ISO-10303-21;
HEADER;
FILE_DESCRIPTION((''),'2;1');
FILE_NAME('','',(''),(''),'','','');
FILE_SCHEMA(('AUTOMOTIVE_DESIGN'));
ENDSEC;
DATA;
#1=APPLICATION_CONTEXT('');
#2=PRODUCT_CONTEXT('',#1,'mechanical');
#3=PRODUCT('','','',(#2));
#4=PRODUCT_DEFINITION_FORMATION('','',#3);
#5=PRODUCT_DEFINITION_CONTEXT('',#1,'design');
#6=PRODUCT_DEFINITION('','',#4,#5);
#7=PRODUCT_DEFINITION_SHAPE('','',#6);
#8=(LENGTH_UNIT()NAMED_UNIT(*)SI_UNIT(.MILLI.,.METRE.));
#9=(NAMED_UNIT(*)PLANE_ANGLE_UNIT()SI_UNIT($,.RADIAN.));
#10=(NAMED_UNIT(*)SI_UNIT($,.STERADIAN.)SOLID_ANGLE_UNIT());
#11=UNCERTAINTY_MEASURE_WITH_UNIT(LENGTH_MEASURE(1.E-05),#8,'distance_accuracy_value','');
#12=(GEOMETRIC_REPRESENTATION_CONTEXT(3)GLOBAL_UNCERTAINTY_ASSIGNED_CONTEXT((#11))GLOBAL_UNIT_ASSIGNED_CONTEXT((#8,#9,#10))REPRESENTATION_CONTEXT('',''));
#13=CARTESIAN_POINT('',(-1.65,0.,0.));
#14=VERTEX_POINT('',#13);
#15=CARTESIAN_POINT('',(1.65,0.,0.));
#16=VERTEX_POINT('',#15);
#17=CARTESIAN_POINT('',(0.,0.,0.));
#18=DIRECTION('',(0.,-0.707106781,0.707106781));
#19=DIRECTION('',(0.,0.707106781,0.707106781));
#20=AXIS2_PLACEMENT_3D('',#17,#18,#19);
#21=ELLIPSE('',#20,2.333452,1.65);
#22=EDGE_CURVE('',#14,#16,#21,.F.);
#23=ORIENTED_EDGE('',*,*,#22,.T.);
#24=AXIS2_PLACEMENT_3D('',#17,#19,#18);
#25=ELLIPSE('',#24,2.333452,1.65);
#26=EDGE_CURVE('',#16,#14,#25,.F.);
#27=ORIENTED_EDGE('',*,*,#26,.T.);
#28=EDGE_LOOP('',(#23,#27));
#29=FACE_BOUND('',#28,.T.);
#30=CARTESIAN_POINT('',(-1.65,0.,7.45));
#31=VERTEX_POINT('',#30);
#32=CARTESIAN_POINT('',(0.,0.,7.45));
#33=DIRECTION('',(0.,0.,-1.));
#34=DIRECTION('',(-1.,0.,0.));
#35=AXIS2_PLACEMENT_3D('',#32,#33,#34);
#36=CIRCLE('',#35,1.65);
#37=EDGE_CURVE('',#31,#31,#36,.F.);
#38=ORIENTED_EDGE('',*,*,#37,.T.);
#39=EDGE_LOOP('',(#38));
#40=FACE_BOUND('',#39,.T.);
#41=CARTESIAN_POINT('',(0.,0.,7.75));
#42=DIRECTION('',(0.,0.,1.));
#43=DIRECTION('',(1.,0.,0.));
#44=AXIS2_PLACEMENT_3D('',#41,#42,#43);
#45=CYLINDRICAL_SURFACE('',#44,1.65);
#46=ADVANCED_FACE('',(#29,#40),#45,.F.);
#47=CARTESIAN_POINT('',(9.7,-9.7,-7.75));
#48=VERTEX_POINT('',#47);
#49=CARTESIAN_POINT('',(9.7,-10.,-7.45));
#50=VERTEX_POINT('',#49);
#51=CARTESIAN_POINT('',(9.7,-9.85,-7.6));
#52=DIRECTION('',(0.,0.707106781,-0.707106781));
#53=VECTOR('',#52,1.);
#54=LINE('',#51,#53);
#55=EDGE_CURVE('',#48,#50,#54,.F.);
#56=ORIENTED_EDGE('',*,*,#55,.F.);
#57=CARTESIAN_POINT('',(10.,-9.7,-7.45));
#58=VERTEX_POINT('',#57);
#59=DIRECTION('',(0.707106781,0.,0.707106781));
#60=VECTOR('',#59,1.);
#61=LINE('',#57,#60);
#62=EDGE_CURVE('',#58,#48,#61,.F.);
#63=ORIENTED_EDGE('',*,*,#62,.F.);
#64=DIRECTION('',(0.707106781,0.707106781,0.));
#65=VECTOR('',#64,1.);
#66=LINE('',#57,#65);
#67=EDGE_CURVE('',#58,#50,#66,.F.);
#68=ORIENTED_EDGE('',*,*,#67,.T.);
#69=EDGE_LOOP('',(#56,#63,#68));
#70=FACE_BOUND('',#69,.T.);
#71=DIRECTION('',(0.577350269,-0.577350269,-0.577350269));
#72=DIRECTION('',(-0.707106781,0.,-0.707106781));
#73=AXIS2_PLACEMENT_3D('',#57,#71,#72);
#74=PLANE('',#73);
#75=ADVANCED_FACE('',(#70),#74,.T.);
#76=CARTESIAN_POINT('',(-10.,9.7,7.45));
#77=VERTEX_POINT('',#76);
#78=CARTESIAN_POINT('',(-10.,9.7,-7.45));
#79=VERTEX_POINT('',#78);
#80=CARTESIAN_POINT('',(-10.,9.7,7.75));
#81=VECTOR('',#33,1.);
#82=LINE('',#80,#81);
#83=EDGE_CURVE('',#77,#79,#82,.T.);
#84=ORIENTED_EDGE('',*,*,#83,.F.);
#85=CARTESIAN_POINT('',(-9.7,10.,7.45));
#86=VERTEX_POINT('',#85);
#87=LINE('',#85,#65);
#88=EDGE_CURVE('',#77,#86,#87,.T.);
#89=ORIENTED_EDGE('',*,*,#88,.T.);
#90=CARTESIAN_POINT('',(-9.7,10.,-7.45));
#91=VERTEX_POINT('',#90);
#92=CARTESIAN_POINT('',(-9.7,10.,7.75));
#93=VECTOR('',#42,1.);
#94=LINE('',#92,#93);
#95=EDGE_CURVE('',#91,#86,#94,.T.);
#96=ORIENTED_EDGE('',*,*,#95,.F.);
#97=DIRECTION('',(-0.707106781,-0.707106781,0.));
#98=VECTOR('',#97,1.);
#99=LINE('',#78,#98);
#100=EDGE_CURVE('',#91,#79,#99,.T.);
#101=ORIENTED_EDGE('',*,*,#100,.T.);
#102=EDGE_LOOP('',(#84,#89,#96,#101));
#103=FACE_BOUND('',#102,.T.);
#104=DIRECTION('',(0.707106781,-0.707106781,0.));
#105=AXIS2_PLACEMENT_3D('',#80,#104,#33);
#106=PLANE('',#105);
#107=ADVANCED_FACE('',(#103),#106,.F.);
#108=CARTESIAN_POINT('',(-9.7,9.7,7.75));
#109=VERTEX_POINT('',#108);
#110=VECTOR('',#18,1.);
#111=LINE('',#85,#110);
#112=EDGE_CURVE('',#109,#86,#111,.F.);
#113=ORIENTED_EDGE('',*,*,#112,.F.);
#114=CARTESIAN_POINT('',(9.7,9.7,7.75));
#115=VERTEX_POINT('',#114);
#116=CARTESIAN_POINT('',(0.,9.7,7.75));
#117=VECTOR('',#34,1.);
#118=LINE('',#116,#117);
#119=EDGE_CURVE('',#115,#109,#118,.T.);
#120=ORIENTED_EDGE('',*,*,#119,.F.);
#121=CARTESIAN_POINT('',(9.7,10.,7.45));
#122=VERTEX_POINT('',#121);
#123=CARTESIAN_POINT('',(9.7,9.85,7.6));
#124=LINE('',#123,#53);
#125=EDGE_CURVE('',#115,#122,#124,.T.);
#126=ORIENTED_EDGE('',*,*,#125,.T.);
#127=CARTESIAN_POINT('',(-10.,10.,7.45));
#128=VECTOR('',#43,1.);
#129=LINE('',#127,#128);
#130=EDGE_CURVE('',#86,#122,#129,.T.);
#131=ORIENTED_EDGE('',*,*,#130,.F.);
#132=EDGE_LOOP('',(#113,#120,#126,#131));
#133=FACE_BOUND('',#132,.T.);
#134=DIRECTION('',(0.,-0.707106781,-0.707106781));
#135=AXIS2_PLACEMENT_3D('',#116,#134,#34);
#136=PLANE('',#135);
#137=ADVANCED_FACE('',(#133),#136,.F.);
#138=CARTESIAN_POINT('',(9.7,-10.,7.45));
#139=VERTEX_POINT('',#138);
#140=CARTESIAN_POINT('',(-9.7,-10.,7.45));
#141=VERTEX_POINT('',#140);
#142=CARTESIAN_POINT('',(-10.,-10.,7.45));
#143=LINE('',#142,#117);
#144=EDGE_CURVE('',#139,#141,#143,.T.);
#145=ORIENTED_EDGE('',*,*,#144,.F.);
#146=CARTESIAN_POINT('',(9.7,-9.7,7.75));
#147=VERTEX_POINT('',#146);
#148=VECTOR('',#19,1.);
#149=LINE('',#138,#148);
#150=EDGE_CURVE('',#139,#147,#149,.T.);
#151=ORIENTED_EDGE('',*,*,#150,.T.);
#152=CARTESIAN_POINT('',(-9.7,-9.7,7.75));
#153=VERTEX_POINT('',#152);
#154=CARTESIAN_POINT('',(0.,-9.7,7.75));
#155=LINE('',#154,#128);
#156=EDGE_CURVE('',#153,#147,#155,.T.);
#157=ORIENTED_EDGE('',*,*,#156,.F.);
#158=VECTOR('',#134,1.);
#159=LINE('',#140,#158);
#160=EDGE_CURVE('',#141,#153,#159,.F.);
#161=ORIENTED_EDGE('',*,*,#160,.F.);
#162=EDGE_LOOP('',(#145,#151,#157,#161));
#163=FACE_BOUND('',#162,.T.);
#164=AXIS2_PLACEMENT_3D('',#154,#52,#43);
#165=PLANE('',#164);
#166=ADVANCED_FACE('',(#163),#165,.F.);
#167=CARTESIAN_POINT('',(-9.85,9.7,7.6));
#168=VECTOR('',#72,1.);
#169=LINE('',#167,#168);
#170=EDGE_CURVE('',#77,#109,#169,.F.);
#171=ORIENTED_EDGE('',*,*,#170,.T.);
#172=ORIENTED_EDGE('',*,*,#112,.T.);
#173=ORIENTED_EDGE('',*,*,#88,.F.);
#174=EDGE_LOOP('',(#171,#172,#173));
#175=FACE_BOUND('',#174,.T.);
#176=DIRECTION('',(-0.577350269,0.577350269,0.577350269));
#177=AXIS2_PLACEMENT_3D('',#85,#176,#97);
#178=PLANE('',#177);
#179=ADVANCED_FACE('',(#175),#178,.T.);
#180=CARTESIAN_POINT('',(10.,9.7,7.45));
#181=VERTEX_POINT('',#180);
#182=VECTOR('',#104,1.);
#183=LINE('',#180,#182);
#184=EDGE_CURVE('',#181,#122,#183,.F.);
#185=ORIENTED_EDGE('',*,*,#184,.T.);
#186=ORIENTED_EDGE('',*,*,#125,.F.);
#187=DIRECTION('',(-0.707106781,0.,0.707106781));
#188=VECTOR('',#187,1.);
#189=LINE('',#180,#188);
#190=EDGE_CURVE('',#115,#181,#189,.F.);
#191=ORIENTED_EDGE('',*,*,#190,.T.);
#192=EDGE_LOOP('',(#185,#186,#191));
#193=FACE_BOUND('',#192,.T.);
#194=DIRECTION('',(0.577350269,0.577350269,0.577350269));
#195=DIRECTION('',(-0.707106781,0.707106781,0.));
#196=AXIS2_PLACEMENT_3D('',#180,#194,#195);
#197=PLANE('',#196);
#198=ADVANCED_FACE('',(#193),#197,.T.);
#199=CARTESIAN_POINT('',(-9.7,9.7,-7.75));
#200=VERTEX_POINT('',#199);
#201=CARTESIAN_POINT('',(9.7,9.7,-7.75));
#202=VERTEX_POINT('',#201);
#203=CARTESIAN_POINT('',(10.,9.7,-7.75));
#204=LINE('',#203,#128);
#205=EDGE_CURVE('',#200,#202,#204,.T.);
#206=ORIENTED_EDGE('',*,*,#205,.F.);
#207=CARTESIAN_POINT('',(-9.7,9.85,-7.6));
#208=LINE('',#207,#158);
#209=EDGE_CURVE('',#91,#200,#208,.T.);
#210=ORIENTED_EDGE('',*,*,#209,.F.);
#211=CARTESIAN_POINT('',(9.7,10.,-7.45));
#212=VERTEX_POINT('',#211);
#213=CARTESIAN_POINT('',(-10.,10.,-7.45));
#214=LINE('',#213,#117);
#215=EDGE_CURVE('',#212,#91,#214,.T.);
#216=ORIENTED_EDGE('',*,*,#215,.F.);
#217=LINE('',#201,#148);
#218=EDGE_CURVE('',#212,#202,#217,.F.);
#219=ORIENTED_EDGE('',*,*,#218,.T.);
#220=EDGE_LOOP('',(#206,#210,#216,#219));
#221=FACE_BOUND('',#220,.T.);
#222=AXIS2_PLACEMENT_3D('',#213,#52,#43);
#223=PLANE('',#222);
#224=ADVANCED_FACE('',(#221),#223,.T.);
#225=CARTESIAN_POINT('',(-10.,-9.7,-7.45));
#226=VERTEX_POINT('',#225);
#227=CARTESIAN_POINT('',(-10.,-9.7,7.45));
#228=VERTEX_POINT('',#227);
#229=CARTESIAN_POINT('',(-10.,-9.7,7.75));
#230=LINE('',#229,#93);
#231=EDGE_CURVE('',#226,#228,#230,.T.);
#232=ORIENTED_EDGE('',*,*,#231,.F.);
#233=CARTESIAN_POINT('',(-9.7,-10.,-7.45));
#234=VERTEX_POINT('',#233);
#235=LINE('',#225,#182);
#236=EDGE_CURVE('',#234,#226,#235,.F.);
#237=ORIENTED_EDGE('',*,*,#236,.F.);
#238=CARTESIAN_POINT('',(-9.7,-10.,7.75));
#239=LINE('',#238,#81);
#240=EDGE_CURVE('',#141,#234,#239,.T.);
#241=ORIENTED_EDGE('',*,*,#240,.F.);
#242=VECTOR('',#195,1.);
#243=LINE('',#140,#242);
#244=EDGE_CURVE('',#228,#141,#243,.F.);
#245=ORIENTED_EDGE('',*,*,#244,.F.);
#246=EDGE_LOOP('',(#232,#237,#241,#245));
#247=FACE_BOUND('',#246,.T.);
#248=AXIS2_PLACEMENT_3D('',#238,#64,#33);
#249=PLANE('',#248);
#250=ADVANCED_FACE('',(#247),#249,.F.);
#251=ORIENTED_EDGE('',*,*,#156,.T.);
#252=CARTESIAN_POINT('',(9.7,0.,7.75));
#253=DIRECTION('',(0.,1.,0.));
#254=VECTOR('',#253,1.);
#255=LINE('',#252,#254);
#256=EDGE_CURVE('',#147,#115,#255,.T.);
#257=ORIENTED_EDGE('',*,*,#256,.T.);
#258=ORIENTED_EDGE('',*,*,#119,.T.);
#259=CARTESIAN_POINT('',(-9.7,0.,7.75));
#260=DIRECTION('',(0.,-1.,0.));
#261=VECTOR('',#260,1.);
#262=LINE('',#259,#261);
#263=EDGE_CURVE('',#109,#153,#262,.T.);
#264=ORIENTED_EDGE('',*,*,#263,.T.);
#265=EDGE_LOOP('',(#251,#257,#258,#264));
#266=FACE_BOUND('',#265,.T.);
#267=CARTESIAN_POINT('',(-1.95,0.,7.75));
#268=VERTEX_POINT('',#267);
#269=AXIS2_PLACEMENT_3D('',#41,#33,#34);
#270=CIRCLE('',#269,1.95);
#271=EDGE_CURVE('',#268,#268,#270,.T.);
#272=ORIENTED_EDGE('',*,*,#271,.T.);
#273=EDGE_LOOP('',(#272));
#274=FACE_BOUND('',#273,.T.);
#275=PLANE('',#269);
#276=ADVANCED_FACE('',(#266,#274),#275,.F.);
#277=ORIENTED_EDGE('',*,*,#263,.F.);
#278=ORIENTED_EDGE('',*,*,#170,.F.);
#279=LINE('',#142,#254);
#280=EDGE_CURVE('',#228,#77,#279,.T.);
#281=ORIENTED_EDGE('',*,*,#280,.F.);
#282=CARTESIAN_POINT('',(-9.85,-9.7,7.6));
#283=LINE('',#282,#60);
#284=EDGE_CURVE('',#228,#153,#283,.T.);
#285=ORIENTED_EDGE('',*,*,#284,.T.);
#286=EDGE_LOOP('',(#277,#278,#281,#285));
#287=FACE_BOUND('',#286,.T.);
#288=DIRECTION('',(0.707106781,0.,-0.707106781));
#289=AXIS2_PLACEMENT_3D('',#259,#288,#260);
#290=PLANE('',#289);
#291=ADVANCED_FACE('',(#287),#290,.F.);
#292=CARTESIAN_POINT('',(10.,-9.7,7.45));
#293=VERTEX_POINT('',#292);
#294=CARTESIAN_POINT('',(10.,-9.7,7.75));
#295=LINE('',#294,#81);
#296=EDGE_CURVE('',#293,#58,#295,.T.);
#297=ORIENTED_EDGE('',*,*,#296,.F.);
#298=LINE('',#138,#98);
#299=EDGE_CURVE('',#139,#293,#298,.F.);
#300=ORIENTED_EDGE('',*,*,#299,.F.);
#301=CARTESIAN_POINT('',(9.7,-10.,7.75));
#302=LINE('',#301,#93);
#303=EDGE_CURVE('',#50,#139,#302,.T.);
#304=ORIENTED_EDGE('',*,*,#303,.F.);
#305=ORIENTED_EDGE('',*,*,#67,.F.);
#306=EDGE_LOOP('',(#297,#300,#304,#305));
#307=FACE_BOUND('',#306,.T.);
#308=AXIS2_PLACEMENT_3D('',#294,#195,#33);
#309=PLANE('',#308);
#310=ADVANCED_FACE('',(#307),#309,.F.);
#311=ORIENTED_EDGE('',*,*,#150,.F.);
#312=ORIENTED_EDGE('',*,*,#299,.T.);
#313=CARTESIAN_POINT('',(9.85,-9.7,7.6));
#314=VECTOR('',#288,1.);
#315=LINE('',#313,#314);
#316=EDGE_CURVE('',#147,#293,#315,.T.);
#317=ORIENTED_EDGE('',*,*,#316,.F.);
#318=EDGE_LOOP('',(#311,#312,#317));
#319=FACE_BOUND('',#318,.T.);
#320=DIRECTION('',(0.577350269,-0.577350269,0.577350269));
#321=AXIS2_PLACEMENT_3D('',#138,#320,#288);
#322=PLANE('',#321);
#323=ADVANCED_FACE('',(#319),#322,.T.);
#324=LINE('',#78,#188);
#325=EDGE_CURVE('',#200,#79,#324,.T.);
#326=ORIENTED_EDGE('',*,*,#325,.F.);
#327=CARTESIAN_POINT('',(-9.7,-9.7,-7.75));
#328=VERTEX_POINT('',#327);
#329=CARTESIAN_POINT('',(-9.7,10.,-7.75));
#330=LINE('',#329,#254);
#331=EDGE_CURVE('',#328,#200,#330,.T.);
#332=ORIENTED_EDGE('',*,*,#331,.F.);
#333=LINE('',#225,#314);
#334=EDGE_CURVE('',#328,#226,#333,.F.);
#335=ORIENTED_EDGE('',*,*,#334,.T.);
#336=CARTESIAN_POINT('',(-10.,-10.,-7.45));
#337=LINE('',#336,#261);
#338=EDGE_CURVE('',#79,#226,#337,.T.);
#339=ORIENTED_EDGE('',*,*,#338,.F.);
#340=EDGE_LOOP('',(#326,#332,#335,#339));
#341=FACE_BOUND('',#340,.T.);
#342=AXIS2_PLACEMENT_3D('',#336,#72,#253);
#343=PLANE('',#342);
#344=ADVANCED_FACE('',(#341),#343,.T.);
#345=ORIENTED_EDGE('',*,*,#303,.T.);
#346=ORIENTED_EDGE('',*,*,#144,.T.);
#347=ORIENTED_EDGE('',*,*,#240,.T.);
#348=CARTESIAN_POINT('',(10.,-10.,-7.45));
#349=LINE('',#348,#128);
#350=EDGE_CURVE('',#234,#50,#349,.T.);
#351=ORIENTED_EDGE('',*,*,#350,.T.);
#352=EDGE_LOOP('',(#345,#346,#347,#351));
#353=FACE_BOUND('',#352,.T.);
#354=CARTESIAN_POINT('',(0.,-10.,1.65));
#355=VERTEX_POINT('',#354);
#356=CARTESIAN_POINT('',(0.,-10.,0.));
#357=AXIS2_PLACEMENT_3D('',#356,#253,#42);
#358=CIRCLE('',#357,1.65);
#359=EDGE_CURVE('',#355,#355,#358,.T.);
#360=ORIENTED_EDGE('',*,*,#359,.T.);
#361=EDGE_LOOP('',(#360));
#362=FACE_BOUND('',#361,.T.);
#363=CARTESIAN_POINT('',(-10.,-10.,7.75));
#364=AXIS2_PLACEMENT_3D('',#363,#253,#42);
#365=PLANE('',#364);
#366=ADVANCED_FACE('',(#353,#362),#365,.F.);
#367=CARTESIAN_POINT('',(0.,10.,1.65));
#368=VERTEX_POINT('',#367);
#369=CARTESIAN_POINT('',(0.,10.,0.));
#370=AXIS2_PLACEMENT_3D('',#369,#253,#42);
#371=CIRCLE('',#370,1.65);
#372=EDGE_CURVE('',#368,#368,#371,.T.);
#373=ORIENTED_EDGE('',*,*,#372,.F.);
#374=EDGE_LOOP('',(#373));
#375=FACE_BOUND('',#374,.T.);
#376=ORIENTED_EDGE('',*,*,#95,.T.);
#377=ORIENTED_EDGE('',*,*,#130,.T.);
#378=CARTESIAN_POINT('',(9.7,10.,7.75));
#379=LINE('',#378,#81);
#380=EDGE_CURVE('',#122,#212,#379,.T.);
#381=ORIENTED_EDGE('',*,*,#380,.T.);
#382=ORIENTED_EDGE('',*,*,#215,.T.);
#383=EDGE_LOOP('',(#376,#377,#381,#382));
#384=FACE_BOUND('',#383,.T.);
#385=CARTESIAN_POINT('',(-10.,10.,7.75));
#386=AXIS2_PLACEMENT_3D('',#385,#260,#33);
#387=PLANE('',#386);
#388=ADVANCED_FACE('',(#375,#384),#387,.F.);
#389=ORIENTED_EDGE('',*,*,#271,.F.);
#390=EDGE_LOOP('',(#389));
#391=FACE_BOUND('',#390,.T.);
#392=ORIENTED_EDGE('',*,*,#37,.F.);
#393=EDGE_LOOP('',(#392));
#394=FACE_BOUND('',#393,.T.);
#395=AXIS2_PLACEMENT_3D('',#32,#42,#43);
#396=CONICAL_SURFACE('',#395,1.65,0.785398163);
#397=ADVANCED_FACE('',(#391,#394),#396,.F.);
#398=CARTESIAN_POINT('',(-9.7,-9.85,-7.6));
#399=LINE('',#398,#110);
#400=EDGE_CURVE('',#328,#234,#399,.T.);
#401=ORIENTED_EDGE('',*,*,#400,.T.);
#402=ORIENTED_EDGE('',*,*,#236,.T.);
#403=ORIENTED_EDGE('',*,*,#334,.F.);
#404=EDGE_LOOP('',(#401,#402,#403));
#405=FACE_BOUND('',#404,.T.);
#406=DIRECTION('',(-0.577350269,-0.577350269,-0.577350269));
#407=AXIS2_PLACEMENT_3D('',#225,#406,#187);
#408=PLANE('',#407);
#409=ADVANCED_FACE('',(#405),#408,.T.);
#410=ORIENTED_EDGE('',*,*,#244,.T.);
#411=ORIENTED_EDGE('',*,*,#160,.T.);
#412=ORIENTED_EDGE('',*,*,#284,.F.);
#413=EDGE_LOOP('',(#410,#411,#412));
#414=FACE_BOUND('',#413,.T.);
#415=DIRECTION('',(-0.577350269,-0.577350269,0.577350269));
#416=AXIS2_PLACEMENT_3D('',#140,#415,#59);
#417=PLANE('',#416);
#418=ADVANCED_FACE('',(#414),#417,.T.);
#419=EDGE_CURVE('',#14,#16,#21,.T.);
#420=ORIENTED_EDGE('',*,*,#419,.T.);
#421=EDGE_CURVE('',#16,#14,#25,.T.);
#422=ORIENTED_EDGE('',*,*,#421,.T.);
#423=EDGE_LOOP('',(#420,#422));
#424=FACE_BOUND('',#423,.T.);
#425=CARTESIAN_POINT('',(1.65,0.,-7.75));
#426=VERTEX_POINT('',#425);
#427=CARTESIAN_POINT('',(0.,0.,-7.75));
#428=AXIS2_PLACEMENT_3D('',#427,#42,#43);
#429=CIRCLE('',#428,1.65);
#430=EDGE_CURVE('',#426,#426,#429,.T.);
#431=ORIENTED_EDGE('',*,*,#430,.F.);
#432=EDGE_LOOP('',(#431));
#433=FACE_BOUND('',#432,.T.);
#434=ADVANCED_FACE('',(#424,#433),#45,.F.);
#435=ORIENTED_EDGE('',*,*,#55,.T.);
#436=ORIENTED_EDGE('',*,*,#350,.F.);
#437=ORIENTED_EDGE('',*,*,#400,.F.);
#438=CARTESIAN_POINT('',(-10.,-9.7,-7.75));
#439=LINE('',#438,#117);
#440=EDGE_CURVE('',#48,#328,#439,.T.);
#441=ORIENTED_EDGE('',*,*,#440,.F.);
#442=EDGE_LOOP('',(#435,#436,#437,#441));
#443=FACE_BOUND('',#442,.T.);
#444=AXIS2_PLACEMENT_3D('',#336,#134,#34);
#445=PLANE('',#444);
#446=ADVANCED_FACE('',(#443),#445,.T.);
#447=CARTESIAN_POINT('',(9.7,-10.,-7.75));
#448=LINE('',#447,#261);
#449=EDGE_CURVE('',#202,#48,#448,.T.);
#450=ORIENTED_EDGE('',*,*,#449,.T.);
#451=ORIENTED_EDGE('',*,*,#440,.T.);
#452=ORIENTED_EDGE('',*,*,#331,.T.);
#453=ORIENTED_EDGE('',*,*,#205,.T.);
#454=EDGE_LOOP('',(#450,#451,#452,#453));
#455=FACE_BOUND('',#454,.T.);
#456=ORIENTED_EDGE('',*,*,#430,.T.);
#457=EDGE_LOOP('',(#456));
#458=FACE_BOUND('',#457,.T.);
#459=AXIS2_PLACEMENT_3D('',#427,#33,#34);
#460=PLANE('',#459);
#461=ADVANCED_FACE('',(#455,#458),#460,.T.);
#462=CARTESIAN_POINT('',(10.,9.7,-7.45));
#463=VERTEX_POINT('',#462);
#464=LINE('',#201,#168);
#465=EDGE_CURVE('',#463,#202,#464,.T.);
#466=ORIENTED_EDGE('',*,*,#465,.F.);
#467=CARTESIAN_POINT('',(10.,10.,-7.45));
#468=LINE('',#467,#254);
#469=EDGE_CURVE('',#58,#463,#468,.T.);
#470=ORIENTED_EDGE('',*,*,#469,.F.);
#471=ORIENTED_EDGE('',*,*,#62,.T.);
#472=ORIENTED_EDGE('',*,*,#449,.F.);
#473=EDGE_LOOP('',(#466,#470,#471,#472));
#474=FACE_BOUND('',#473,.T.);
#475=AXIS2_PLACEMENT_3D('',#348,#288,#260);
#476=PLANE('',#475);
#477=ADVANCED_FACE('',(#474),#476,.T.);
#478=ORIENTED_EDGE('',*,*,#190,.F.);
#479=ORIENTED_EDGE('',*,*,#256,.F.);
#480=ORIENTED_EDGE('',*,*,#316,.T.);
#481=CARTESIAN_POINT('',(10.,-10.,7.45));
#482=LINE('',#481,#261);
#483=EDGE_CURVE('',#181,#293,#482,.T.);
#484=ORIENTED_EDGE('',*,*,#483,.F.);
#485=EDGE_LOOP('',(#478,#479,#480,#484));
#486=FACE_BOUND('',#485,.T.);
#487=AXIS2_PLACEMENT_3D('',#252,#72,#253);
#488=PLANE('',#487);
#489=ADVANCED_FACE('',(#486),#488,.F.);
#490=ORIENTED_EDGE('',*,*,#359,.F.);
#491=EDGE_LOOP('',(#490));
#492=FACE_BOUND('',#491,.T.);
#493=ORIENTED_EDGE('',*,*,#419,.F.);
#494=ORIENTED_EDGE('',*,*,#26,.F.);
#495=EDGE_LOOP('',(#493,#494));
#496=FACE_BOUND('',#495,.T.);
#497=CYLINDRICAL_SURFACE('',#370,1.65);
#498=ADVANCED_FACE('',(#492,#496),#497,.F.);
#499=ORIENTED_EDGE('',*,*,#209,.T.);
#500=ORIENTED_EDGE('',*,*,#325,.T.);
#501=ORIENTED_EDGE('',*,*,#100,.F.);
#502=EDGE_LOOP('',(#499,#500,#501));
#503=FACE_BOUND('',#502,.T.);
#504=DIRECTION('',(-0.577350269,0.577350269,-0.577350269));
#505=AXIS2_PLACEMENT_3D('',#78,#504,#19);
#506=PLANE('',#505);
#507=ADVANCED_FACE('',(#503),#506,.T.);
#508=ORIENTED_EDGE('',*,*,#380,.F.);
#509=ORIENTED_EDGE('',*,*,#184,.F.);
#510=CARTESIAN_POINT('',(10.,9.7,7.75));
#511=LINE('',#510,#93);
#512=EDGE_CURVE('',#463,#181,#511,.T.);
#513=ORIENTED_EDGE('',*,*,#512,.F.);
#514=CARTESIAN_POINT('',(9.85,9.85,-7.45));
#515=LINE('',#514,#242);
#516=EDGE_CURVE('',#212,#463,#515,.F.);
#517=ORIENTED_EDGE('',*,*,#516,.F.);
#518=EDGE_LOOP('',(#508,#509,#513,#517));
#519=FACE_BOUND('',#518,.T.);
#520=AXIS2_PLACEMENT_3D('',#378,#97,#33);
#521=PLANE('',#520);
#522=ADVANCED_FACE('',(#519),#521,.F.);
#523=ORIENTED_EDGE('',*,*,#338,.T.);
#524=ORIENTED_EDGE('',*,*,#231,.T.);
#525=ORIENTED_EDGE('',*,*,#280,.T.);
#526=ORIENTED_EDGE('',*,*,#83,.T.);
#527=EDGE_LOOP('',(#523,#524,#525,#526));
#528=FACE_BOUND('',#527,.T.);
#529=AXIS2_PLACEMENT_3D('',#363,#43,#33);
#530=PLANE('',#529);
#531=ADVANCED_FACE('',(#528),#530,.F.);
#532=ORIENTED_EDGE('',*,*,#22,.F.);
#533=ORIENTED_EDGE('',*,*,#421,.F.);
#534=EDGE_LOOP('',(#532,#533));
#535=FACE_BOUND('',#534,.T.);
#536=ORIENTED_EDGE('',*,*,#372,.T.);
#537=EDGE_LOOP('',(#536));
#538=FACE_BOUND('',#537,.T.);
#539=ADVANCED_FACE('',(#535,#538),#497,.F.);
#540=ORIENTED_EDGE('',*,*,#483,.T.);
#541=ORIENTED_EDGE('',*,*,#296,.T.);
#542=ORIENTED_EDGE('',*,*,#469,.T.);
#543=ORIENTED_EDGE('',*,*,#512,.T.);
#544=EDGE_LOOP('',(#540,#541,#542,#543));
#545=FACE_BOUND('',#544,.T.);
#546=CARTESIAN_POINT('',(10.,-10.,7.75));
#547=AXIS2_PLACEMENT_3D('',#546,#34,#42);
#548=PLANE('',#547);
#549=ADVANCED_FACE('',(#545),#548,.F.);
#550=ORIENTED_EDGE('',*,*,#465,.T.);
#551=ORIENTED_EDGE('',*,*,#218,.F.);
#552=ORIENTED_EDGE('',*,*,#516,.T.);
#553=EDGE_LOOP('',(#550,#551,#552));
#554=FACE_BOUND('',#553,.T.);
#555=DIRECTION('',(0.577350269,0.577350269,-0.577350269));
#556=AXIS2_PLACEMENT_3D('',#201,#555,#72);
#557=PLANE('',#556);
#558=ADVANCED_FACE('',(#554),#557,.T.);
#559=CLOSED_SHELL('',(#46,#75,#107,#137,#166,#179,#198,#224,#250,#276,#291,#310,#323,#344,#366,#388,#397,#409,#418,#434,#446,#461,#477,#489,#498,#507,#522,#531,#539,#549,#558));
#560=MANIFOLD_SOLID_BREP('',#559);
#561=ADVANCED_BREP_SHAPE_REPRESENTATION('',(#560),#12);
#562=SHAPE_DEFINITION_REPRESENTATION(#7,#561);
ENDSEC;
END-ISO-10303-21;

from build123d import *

# Parameters (mm, degrees)
SKETCH_1_W         = 20
SKETCH_1_H         = 20
EXTRUDE_1_DEPTH    = 7.75
HOLE_WIZARD_M4_1_D = 3.3
HOLE_WIZARD_M4_2_D = 3.3
CHAMFER_1_SIZE     = 0.3


with BuildPart() as part:
    # 草图1 → 凸台-拉伸1 (new body, symmetric)
    with BuildSketch(Plane.XY):
        Rectangle(SKETCH_1_W, SKETCH_1_H)
    extrude(amount=EXTRUDE_1_DEPTH, both=True)

    # M4 螺纹孔1 (through all)
    with Locations(Plane.XY.offset(7.75)):
        with Locations((0, 0)):
            Hole(HOLE_WIZARD_M4_1_D / 2)

    # M4 螺纹孔2 (through all)
    with Locations(Plane(origin=(0, 10, 0), x_dir=(1, 0, 0), z_dir=(0, 1, 0))):
        with Locations((0, 0)):
            Hole(HOLE_WIZARD_M4_2_D / 2)

    # 倒角1
    chamfer_1_edges = [part.edges().sort_by_distance(p)[0] for p in [
        (-10, 0, 7.75),
        (1.65, 0, 7.75),
        (0, -10, 7.75),
        (10, 0, 7.75),
        (0, -10, -7.75),
        (-10, 0, -7.75),
        (0, 10, -7.75),
        (10, 0, -7.75),
        (10, -10, 0),
        (-10, -10, 0),
        (-10, 10, 0),
        (10, 10, 0),
        (0, 10, 7.75),
    ]]
    chamfer(chamfer_1_edges, length=CHAMFER_1_SIZE)


solid = part.part
